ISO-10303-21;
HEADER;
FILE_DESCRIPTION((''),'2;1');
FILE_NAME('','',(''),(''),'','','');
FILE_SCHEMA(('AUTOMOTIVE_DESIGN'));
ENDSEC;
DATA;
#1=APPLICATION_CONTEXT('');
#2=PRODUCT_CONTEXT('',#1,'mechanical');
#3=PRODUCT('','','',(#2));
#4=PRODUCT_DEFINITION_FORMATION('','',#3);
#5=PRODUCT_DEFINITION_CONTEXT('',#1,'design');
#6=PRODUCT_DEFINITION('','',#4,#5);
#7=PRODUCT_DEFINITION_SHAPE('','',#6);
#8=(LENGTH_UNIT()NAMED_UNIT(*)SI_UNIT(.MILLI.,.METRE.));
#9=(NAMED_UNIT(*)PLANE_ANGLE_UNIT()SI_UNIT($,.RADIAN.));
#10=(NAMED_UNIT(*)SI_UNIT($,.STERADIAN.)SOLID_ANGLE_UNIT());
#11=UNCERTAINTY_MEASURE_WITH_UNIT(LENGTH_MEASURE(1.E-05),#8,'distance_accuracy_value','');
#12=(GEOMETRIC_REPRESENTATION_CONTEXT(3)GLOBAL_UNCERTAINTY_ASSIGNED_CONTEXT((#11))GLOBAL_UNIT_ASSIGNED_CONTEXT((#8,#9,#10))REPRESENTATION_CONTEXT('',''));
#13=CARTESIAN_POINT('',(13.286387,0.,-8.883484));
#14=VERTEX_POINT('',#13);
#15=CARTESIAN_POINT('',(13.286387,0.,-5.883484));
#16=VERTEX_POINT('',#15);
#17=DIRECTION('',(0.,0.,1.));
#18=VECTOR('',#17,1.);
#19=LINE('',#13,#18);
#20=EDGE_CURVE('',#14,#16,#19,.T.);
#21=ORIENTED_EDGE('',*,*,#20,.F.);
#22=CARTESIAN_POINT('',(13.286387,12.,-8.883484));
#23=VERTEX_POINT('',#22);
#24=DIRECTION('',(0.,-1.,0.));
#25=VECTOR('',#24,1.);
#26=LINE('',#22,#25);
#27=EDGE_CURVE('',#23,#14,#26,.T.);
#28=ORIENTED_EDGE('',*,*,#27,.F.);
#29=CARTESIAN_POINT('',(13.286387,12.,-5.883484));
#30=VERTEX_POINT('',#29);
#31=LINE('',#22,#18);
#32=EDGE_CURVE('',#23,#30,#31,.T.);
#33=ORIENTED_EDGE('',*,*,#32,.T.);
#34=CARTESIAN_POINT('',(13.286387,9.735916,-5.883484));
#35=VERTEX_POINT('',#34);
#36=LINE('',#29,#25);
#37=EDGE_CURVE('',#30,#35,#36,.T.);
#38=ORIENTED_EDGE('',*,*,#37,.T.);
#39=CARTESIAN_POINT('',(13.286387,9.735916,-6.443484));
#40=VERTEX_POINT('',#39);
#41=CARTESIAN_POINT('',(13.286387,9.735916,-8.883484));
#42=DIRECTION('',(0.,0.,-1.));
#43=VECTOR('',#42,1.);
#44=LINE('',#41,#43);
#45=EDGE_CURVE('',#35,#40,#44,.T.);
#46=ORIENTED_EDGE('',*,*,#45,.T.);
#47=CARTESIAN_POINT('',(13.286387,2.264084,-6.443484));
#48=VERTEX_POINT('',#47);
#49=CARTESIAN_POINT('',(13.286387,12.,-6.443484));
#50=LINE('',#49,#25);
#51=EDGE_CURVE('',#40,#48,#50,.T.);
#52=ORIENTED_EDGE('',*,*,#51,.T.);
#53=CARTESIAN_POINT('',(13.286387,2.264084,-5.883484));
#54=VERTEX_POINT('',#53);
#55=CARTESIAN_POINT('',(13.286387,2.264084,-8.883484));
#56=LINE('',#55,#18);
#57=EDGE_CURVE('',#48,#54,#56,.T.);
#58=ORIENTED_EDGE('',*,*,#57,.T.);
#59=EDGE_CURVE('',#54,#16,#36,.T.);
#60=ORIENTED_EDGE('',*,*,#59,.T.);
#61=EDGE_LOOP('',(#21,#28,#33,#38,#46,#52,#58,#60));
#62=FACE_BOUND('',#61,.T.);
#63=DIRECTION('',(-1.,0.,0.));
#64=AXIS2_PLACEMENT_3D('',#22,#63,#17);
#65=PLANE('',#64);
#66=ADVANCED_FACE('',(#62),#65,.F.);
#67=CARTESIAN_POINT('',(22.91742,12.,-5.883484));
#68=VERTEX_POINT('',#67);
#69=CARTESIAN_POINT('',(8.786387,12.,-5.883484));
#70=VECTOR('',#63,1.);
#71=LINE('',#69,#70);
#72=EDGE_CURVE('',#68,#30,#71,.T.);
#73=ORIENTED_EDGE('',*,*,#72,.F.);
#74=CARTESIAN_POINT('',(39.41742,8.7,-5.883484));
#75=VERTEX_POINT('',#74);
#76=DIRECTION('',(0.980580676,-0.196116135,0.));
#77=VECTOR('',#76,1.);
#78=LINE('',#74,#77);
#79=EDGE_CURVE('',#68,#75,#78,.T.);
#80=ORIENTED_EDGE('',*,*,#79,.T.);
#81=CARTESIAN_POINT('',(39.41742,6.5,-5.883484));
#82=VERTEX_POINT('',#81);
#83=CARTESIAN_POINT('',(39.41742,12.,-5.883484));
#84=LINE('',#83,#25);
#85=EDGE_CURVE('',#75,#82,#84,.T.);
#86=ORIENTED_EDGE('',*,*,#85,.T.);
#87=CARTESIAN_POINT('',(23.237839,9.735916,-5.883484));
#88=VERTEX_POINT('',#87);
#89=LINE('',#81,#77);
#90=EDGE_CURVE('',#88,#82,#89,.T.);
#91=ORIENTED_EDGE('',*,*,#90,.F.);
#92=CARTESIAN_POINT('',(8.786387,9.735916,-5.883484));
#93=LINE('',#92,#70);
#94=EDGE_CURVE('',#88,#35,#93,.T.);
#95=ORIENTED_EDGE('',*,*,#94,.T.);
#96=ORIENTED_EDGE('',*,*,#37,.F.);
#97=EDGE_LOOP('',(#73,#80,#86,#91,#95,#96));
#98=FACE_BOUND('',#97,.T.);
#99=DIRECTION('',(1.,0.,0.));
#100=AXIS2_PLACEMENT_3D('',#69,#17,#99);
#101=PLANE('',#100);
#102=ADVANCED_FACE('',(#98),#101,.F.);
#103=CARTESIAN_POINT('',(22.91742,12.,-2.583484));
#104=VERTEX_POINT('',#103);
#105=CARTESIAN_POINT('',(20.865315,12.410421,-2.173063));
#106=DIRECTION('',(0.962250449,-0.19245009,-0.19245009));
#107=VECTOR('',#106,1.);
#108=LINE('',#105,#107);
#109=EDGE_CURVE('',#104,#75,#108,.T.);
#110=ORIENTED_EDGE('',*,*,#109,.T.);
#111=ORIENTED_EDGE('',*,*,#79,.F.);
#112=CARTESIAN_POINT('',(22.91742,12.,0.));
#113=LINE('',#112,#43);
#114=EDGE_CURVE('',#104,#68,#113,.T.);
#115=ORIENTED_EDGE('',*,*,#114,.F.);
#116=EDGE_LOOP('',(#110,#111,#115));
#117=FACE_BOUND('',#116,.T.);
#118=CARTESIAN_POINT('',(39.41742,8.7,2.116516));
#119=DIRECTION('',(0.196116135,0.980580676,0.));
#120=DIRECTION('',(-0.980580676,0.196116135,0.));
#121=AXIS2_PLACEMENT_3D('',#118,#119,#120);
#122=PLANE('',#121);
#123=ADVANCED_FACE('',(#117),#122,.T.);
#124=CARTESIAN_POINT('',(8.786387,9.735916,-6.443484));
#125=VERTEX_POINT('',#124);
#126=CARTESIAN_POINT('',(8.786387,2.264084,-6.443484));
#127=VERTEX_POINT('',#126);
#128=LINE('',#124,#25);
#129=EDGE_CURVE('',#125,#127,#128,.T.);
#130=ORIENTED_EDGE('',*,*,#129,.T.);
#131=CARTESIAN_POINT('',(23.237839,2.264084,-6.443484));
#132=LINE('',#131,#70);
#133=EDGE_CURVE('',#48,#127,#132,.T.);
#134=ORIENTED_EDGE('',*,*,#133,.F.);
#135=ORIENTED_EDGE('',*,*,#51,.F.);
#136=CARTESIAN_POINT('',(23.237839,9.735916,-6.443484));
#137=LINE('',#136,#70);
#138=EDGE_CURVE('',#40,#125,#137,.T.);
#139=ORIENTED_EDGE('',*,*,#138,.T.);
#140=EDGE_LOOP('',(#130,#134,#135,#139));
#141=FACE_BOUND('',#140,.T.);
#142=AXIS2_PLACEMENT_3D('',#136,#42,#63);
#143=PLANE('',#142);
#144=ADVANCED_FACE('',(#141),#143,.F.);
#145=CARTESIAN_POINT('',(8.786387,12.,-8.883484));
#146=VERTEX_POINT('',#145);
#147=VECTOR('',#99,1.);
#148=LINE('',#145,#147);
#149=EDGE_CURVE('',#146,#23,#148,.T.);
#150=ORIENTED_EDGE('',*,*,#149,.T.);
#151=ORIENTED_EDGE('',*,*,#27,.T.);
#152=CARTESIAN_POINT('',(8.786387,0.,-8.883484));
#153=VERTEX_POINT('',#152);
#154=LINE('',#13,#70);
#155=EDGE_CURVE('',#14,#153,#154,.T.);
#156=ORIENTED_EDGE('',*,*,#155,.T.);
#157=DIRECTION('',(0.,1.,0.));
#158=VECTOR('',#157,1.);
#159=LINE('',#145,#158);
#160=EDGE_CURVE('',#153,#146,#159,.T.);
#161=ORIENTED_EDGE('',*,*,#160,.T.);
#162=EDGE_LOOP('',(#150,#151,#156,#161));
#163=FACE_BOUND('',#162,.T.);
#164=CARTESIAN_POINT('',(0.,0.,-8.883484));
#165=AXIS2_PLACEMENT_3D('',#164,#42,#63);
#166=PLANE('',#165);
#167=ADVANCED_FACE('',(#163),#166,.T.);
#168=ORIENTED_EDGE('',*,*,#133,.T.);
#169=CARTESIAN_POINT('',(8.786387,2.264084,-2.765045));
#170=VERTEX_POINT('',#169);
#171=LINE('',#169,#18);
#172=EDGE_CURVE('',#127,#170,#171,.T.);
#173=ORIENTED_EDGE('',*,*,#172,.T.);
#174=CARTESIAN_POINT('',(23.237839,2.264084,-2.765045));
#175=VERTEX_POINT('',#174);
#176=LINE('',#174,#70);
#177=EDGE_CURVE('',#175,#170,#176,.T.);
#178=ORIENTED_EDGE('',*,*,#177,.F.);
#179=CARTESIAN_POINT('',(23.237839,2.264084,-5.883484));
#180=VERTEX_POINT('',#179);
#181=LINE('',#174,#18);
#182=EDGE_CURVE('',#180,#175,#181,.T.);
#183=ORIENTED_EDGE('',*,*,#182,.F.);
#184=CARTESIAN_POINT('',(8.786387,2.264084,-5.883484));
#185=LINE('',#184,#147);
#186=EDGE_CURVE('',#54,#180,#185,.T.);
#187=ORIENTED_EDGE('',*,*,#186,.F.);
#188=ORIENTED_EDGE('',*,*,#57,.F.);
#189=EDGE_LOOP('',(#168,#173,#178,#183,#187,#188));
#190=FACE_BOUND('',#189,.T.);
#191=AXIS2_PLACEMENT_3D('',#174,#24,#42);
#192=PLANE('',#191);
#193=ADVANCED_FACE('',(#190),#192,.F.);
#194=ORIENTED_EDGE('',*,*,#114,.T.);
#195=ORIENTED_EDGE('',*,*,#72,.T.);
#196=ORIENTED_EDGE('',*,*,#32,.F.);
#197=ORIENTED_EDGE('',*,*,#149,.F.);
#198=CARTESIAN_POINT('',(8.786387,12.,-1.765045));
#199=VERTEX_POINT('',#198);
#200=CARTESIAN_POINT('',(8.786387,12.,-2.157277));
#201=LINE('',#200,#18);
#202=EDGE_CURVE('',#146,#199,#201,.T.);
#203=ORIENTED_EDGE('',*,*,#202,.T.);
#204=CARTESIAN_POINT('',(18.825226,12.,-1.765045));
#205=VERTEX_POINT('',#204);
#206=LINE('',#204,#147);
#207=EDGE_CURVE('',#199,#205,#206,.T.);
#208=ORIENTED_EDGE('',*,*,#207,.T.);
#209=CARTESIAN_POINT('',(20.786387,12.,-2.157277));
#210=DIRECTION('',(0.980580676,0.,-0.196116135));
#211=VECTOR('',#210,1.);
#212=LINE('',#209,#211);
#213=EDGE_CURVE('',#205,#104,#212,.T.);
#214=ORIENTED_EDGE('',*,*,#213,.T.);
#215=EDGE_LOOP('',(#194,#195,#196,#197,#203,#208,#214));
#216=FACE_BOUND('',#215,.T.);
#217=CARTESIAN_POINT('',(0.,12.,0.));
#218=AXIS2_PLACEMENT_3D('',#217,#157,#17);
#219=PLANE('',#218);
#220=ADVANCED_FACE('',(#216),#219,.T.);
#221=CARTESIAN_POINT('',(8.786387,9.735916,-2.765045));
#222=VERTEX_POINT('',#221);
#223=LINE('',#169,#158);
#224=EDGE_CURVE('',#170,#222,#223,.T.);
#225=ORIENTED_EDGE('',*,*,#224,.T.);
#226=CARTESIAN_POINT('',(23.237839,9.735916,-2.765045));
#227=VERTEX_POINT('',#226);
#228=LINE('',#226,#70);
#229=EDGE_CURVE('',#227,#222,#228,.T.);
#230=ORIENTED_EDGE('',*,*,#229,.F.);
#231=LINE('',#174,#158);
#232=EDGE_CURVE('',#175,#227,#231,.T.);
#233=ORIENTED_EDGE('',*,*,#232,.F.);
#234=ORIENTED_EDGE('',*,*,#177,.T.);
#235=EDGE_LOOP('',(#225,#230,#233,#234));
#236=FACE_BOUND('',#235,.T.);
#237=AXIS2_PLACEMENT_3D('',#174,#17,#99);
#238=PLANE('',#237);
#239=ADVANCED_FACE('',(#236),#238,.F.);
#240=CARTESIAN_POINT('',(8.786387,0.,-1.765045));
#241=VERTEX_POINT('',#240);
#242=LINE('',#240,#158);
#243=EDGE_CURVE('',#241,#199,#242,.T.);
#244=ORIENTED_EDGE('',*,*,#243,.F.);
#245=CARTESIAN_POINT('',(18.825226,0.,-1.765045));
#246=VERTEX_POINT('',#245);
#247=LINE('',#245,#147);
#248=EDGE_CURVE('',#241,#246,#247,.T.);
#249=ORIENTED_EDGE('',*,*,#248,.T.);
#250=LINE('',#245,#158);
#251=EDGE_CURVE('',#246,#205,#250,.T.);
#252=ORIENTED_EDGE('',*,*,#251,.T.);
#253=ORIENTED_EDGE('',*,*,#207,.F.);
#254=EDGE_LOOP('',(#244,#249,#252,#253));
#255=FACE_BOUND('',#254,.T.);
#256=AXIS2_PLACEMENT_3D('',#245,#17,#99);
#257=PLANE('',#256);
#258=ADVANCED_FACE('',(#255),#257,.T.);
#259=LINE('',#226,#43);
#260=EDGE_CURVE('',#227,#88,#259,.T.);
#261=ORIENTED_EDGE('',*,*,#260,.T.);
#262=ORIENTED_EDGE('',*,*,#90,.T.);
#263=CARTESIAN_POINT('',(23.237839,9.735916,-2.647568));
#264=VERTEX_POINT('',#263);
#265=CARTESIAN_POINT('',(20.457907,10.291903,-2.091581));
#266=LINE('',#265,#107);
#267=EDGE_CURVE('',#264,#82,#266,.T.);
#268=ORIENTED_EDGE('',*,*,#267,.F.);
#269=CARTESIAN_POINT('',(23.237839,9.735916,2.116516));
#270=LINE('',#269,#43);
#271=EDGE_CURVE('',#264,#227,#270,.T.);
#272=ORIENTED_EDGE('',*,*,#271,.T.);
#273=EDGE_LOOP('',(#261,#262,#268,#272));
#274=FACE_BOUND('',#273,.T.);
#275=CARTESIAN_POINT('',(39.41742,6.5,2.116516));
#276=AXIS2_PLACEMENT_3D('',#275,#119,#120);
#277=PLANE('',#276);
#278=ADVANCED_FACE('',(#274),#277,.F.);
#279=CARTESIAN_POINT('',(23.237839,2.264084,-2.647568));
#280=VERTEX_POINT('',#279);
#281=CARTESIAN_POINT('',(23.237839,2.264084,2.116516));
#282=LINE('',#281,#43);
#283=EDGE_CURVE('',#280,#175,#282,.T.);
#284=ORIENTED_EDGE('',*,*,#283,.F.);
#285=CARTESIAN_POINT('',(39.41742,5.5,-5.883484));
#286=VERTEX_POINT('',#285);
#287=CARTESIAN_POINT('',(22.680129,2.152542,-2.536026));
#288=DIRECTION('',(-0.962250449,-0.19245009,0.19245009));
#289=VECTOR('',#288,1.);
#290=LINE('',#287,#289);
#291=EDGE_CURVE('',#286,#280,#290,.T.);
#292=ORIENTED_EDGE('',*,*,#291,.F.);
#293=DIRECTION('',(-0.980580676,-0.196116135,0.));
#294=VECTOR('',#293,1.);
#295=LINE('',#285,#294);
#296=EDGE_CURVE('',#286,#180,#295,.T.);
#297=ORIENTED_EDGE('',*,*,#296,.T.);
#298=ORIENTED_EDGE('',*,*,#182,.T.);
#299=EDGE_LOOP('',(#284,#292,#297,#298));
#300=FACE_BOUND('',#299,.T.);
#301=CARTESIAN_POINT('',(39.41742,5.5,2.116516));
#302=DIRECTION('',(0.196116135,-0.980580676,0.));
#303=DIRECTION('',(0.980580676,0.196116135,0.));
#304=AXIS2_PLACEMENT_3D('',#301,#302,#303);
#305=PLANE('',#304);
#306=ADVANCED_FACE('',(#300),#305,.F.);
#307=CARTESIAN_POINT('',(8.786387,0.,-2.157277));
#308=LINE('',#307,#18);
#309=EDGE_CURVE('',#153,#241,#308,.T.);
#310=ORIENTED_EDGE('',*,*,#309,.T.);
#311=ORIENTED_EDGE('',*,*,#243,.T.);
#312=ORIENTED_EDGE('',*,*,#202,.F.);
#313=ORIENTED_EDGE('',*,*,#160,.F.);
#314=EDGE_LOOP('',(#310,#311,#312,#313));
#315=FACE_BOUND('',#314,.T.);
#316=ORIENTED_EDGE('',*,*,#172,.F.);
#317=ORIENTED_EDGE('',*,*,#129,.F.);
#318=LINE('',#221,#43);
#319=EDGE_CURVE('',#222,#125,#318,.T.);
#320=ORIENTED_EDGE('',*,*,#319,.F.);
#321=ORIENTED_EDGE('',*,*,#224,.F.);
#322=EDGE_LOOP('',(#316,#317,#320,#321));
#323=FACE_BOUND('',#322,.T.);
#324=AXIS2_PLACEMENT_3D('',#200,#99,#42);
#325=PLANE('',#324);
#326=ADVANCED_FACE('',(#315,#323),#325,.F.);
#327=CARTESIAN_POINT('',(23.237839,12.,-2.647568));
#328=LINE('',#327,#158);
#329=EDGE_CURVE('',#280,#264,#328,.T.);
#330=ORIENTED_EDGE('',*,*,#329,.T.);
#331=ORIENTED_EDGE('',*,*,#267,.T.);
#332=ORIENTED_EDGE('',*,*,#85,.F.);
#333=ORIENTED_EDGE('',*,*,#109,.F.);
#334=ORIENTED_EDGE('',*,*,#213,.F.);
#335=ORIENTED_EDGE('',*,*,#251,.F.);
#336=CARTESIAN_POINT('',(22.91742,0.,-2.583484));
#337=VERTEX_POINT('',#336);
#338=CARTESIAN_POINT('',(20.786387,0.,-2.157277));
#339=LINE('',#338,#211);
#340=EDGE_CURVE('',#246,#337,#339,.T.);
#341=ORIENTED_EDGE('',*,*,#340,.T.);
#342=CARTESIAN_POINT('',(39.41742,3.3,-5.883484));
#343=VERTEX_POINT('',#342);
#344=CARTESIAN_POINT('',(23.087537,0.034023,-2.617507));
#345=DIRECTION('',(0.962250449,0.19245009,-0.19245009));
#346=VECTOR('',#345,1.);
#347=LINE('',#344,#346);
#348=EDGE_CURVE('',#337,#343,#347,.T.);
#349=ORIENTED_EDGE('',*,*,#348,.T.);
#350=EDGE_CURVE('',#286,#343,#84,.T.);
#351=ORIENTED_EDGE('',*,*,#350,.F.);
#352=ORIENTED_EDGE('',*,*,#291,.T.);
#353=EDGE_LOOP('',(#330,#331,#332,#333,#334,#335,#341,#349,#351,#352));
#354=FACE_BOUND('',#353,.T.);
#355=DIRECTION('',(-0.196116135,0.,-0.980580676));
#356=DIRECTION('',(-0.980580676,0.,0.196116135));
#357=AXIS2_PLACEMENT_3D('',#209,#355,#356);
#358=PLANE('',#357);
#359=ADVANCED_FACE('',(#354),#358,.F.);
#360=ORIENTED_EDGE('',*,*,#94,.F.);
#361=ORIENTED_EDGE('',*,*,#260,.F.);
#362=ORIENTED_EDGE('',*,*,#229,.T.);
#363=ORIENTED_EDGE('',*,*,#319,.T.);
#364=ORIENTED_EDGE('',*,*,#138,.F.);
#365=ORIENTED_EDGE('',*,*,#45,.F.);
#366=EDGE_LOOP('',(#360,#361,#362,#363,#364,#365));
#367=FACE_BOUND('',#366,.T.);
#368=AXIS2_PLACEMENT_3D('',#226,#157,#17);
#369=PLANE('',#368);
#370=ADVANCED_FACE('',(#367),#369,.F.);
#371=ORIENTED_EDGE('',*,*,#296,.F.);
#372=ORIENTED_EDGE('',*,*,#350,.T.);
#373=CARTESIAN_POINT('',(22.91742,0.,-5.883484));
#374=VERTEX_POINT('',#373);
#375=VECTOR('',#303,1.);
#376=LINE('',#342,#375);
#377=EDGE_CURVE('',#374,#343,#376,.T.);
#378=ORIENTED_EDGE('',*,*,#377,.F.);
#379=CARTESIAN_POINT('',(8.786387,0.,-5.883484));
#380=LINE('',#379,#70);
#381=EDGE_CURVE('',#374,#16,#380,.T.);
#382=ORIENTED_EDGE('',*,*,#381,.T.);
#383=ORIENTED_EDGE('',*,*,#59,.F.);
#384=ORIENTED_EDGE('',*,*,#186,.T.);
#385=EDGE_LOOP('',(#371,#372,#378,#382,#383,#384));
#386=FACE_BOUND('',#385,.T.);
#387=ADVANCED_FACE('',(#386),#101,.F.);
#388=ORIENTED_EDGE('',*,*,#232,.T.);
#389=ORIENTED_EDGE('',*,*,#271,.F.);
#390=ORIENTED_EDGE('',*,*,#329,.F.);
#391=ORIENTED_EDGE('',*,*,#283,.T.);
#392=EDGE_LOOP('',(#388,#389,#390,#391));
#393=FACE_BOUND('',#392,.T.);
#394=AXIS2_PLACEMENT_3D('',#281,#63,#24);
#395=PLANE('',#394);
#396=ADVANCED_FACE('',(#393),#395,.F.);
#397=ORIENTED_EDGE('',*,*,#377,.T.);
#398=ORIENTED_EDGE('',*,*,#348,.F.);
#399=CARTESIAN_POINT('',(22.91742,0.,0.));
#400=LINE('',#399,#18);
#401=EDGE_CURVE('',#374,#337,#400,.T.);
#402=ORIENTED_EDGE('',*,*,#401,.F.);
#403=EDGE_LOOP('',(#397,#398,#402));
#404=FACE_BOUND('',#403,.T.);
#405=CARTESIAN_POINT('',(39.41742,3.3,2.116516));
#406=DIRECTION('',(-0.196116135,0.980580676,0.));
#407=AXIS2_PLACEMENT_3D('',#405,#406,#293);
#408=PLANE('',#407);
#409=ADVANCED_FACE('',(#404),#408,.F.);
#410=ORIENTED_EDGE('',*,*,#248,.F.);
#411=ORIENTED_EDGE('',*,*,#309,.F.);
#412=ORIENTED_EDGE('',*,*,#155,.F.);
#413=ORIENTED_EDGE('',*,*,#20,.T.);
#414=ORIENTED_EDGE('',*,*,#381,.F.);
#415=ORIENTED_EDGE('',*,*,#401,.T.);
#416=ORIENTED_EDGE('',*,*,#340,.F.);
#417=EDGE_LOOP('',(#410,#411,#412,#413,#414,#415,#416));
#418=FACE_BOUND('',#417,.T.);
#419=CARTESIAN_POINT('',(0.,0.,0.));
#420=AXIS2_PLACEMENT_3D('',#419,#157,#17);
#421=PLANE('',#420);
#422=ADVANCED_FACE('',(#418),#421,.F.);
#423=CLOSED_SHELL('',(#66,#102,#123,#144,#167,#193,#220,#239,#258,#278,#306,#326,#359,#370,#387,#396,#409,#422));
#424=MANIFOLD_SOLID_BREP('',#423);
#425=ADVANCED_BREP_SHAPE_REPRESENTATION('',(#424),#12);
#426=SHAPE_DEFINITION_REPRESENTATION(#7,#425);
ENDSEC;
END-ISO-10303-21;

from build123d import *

# Parameters (mm, degrees)
BOSS_EXTRUDE1_DEPTH = 12
CUT_EXTRUDE1_DEPTH  = 8
CUT_EXTRUDE2_DEPTH  = 8
SKETCH6_W           = 4.5
SKETCH6_H           = 12
BOSS_EXTRUDE2_DEPTH = 3
BOSS_EXTRUDE3_DEPTH = 12
CUT_EXTRUDE3_START  = -14.451452
SKETCH8_W           = 3.67843884
SKETCH8_H           = 7.47183246
CUT_EXTRUDE3_DEPTH  = 14.451452


with BuildPart() as part:
    # Sketch1 → Boss-Extrude1 (new body)
    with BuildSketch(Plane(origin=(0, 0, 0), x_dir=(1, 0, 0), z_dir=(0, 1, 0))):
        Polygon((20.786387433, 2.157277486), (8.786387433, 2.157277486), (8.786387433, 5.883484052), (39.417420271, 5.883484052), align=None)
    extrude(amount=BOSS_EXTRUDE1_DEPTH)

    # Sketch4 → Cut-Extrude1 (cut)
    with BuildSketch(Plane(origin=(0, 0, -5.883484052), x_dir=(-1, 0, 0), z_dir=(0, 0, -1))):
        Polygon((-39.417420271, 3.299999999), (-22.917420271, 0), (-39.417420271, 0), align=None)
    cut_extrude1 = extrude(amount=-CUT_EXTRUDE1_DEPTH, mode=Mode.SUBTRACT)

    # Sketch5 → Cut-Extrude2 (cut)
    with BuildSketch(Plane(origin=(0, 0, -5.883484052), x_dir=(-1, 0, 0), z_dir=(0, 0, -1))):
        Polygon((-39.417420271, 6.5), (-23.237839122, 9.73591623), (-23.237839122, 2.26408377), (-39.417420271, 5.5), align=None)
    extrude(amount=-CUT_EXTRUDE2_DEPTH, mode=Mode.SUBTRACT)

    # Mirror1: Cut-Extrude1 across plane
    add(cut_extrude1.mirror(Plane.ZX.offset(6)), mode=Mode.SUBTRACT)

    # Sketch6 → Boss-Extrude2 (add)
    with BuildSketch(Plane(origin=(0, 0, -5.883484052), x_dir=(-1, 0, 0), z_dir=(0, 0, -1))):
        with Locations((-11.03638743, 6)):
            Rectangle(SKETCH6_W, SKETCH6_H)
    extrude(amount=BOSS_EXTRUDE2_DEPTH)

    # Sketch7 → Boss-Extrude3 (add)
    with BuildSketch(Plane(origin=(0, 12, 0), x_dir=(1, 0, 0), z_dir=(0, 1, 0))):
        Polygon((20.786387433, 2.157277486), (18.825226081, 1.765045216), (8.786387433, 1.765045216), (8.786387433, 2.157277486), align=None)
    extrude(amount=-BOSS_EXTRUDE3_DEPTH)

    # Sketch8 → Cut-Extrude3 (cut)
    with BuildSketch(Plane.ZY.offset(-8.786387433).offset(CUT_EXTRUDE3_START)):
        with Locations((-4.604264636, 6)):
            Rectangle(SKETCH8_W, SKETCH8_H)
    extrude(amount=CUT_EXTRUDE3_DEPTH, mode=Mode.SUBTRACT)


solid = part.part
